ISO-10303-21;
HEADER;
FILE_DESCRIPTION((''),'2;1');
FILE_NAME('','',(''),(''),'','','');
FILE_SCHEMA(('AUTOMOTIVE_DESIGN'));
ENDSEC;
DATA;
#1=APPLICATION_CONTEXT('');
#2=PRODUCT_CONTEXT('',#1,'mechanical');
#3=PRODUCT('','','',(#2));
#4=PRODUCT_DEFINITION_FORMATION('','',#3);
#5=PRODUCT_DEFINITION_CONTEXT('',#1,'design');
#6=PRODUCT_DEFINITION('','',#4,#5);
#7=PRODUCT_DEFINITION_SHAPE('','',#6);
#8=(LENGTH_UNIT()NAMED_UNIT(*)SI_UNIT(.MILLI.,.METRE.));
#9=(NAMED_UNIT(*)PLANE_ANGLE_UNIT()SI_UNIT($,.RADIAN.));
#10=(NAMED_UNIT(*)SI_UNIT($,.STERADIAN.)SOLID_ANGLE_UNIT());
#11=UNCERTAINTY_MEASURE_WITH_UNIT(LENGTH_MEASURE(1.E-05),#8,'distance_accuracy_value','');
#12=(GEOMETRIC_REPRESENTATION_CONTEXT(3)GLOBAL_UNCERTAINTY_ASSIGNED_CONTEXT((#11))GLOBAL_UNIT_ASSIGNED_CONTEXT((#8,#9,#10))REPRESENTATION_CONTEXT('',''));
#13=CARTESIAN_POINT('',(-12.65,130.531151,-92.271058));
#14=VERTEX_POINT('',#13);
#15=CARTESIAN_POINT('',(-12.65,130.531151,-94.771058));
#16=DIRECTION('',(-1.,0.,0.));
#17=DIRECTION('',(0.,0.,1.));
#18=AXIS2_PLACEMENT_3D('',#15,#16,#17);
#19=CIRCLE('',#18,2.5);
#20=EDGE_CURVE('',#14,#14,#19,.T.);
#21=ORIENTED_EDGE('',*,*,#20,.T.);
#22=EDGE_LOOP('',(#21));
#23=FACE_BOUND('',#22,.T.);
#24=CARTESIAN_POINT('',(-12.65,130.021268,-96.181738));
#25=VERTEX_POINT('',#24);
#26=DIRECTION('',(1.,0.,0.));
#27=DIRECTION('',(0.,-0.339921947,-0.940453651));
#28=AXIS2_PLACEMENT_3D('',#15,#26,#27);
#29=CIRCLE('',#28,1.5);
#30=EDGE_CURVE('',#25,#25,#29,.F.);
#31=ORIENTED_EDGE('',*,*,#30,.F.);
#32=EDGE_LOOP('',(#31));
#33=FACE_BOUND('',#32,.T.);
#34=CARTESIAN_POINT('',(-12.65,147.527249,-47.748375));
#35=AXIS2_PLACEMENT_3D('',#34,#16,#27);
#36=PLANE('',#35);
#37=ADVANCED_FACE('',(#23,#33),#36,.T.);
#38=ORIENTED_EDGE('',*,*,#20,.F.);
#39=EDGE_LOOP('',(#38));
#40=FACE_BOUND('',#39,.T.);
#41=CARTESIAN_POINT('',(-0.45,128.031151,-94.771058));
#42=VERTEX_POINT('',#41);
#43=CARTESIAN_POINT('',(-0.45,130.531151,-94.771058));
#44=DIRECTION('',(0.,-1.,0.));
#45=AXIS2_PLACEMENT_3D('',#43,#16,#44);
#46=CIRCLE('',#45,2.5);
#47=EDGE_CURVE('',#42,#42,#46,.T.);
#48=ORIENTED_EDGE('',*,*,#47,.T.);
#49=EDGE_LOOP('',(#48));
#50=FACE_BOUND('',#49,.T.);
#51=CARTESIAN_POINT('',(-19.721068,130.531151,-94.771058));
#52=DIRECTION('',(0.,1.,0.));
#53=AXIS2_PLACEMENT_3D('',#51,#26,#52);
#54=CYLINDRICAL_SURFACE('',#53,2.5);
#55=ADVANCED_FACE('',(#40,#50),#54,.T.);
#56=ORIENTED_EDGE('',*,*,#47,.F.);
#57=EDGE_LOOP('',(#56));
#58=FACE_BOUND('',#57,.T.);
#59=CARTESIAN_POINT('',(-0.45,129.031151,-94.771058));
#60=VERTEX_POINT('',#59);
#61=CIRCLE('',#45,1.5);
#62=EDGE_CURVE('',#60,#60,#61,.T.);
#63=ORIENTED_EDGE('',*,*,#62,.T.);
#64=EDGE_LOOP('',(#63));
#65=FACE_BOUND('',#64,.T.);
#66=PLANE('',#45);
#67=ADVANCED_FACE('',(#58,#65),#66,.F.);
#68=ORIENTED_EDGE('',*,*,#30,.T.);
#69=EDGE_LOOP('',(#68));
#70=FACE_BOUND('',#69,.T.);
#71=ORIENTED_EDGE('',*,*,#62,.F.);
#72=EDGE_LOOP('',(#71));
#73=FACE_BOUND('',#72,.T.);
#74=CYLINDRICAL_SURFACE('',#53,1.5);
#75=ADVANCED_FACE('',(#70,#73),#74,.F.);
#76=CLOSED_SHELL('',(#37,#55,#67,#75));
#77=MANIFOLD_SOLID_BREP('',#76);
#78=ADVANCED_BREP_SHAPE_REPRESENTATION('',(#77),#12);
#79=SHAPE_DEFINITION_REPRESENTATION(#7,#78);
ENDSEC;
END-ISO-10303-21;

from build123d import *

# Parameters (mm, degrees)
SKETCH1_R           = 2.5
SKETCH1_R_2         = 1.5
BOSS_EXTRUDE1_DEPTH = 12.2


with BuildPart() as part:
    # Sketch1 → Boss-Extrude1 (new body)
    with BuildSketch(Plane.ZY.offset(0.45)):
        with Locations((-94.771057975, 130.531151206)):
            Circle(SKETCH1_R)
        with Locations(Location((-94.771057975, 130.531151206, 0), (0, 0, 199.872118731))):
            Circle(SKETCH1_R_2, mode=Mode.SUBTRACT)
    extrude(amount=BOSS_EXTRUDE1_DEPTH)


solid = part.part
